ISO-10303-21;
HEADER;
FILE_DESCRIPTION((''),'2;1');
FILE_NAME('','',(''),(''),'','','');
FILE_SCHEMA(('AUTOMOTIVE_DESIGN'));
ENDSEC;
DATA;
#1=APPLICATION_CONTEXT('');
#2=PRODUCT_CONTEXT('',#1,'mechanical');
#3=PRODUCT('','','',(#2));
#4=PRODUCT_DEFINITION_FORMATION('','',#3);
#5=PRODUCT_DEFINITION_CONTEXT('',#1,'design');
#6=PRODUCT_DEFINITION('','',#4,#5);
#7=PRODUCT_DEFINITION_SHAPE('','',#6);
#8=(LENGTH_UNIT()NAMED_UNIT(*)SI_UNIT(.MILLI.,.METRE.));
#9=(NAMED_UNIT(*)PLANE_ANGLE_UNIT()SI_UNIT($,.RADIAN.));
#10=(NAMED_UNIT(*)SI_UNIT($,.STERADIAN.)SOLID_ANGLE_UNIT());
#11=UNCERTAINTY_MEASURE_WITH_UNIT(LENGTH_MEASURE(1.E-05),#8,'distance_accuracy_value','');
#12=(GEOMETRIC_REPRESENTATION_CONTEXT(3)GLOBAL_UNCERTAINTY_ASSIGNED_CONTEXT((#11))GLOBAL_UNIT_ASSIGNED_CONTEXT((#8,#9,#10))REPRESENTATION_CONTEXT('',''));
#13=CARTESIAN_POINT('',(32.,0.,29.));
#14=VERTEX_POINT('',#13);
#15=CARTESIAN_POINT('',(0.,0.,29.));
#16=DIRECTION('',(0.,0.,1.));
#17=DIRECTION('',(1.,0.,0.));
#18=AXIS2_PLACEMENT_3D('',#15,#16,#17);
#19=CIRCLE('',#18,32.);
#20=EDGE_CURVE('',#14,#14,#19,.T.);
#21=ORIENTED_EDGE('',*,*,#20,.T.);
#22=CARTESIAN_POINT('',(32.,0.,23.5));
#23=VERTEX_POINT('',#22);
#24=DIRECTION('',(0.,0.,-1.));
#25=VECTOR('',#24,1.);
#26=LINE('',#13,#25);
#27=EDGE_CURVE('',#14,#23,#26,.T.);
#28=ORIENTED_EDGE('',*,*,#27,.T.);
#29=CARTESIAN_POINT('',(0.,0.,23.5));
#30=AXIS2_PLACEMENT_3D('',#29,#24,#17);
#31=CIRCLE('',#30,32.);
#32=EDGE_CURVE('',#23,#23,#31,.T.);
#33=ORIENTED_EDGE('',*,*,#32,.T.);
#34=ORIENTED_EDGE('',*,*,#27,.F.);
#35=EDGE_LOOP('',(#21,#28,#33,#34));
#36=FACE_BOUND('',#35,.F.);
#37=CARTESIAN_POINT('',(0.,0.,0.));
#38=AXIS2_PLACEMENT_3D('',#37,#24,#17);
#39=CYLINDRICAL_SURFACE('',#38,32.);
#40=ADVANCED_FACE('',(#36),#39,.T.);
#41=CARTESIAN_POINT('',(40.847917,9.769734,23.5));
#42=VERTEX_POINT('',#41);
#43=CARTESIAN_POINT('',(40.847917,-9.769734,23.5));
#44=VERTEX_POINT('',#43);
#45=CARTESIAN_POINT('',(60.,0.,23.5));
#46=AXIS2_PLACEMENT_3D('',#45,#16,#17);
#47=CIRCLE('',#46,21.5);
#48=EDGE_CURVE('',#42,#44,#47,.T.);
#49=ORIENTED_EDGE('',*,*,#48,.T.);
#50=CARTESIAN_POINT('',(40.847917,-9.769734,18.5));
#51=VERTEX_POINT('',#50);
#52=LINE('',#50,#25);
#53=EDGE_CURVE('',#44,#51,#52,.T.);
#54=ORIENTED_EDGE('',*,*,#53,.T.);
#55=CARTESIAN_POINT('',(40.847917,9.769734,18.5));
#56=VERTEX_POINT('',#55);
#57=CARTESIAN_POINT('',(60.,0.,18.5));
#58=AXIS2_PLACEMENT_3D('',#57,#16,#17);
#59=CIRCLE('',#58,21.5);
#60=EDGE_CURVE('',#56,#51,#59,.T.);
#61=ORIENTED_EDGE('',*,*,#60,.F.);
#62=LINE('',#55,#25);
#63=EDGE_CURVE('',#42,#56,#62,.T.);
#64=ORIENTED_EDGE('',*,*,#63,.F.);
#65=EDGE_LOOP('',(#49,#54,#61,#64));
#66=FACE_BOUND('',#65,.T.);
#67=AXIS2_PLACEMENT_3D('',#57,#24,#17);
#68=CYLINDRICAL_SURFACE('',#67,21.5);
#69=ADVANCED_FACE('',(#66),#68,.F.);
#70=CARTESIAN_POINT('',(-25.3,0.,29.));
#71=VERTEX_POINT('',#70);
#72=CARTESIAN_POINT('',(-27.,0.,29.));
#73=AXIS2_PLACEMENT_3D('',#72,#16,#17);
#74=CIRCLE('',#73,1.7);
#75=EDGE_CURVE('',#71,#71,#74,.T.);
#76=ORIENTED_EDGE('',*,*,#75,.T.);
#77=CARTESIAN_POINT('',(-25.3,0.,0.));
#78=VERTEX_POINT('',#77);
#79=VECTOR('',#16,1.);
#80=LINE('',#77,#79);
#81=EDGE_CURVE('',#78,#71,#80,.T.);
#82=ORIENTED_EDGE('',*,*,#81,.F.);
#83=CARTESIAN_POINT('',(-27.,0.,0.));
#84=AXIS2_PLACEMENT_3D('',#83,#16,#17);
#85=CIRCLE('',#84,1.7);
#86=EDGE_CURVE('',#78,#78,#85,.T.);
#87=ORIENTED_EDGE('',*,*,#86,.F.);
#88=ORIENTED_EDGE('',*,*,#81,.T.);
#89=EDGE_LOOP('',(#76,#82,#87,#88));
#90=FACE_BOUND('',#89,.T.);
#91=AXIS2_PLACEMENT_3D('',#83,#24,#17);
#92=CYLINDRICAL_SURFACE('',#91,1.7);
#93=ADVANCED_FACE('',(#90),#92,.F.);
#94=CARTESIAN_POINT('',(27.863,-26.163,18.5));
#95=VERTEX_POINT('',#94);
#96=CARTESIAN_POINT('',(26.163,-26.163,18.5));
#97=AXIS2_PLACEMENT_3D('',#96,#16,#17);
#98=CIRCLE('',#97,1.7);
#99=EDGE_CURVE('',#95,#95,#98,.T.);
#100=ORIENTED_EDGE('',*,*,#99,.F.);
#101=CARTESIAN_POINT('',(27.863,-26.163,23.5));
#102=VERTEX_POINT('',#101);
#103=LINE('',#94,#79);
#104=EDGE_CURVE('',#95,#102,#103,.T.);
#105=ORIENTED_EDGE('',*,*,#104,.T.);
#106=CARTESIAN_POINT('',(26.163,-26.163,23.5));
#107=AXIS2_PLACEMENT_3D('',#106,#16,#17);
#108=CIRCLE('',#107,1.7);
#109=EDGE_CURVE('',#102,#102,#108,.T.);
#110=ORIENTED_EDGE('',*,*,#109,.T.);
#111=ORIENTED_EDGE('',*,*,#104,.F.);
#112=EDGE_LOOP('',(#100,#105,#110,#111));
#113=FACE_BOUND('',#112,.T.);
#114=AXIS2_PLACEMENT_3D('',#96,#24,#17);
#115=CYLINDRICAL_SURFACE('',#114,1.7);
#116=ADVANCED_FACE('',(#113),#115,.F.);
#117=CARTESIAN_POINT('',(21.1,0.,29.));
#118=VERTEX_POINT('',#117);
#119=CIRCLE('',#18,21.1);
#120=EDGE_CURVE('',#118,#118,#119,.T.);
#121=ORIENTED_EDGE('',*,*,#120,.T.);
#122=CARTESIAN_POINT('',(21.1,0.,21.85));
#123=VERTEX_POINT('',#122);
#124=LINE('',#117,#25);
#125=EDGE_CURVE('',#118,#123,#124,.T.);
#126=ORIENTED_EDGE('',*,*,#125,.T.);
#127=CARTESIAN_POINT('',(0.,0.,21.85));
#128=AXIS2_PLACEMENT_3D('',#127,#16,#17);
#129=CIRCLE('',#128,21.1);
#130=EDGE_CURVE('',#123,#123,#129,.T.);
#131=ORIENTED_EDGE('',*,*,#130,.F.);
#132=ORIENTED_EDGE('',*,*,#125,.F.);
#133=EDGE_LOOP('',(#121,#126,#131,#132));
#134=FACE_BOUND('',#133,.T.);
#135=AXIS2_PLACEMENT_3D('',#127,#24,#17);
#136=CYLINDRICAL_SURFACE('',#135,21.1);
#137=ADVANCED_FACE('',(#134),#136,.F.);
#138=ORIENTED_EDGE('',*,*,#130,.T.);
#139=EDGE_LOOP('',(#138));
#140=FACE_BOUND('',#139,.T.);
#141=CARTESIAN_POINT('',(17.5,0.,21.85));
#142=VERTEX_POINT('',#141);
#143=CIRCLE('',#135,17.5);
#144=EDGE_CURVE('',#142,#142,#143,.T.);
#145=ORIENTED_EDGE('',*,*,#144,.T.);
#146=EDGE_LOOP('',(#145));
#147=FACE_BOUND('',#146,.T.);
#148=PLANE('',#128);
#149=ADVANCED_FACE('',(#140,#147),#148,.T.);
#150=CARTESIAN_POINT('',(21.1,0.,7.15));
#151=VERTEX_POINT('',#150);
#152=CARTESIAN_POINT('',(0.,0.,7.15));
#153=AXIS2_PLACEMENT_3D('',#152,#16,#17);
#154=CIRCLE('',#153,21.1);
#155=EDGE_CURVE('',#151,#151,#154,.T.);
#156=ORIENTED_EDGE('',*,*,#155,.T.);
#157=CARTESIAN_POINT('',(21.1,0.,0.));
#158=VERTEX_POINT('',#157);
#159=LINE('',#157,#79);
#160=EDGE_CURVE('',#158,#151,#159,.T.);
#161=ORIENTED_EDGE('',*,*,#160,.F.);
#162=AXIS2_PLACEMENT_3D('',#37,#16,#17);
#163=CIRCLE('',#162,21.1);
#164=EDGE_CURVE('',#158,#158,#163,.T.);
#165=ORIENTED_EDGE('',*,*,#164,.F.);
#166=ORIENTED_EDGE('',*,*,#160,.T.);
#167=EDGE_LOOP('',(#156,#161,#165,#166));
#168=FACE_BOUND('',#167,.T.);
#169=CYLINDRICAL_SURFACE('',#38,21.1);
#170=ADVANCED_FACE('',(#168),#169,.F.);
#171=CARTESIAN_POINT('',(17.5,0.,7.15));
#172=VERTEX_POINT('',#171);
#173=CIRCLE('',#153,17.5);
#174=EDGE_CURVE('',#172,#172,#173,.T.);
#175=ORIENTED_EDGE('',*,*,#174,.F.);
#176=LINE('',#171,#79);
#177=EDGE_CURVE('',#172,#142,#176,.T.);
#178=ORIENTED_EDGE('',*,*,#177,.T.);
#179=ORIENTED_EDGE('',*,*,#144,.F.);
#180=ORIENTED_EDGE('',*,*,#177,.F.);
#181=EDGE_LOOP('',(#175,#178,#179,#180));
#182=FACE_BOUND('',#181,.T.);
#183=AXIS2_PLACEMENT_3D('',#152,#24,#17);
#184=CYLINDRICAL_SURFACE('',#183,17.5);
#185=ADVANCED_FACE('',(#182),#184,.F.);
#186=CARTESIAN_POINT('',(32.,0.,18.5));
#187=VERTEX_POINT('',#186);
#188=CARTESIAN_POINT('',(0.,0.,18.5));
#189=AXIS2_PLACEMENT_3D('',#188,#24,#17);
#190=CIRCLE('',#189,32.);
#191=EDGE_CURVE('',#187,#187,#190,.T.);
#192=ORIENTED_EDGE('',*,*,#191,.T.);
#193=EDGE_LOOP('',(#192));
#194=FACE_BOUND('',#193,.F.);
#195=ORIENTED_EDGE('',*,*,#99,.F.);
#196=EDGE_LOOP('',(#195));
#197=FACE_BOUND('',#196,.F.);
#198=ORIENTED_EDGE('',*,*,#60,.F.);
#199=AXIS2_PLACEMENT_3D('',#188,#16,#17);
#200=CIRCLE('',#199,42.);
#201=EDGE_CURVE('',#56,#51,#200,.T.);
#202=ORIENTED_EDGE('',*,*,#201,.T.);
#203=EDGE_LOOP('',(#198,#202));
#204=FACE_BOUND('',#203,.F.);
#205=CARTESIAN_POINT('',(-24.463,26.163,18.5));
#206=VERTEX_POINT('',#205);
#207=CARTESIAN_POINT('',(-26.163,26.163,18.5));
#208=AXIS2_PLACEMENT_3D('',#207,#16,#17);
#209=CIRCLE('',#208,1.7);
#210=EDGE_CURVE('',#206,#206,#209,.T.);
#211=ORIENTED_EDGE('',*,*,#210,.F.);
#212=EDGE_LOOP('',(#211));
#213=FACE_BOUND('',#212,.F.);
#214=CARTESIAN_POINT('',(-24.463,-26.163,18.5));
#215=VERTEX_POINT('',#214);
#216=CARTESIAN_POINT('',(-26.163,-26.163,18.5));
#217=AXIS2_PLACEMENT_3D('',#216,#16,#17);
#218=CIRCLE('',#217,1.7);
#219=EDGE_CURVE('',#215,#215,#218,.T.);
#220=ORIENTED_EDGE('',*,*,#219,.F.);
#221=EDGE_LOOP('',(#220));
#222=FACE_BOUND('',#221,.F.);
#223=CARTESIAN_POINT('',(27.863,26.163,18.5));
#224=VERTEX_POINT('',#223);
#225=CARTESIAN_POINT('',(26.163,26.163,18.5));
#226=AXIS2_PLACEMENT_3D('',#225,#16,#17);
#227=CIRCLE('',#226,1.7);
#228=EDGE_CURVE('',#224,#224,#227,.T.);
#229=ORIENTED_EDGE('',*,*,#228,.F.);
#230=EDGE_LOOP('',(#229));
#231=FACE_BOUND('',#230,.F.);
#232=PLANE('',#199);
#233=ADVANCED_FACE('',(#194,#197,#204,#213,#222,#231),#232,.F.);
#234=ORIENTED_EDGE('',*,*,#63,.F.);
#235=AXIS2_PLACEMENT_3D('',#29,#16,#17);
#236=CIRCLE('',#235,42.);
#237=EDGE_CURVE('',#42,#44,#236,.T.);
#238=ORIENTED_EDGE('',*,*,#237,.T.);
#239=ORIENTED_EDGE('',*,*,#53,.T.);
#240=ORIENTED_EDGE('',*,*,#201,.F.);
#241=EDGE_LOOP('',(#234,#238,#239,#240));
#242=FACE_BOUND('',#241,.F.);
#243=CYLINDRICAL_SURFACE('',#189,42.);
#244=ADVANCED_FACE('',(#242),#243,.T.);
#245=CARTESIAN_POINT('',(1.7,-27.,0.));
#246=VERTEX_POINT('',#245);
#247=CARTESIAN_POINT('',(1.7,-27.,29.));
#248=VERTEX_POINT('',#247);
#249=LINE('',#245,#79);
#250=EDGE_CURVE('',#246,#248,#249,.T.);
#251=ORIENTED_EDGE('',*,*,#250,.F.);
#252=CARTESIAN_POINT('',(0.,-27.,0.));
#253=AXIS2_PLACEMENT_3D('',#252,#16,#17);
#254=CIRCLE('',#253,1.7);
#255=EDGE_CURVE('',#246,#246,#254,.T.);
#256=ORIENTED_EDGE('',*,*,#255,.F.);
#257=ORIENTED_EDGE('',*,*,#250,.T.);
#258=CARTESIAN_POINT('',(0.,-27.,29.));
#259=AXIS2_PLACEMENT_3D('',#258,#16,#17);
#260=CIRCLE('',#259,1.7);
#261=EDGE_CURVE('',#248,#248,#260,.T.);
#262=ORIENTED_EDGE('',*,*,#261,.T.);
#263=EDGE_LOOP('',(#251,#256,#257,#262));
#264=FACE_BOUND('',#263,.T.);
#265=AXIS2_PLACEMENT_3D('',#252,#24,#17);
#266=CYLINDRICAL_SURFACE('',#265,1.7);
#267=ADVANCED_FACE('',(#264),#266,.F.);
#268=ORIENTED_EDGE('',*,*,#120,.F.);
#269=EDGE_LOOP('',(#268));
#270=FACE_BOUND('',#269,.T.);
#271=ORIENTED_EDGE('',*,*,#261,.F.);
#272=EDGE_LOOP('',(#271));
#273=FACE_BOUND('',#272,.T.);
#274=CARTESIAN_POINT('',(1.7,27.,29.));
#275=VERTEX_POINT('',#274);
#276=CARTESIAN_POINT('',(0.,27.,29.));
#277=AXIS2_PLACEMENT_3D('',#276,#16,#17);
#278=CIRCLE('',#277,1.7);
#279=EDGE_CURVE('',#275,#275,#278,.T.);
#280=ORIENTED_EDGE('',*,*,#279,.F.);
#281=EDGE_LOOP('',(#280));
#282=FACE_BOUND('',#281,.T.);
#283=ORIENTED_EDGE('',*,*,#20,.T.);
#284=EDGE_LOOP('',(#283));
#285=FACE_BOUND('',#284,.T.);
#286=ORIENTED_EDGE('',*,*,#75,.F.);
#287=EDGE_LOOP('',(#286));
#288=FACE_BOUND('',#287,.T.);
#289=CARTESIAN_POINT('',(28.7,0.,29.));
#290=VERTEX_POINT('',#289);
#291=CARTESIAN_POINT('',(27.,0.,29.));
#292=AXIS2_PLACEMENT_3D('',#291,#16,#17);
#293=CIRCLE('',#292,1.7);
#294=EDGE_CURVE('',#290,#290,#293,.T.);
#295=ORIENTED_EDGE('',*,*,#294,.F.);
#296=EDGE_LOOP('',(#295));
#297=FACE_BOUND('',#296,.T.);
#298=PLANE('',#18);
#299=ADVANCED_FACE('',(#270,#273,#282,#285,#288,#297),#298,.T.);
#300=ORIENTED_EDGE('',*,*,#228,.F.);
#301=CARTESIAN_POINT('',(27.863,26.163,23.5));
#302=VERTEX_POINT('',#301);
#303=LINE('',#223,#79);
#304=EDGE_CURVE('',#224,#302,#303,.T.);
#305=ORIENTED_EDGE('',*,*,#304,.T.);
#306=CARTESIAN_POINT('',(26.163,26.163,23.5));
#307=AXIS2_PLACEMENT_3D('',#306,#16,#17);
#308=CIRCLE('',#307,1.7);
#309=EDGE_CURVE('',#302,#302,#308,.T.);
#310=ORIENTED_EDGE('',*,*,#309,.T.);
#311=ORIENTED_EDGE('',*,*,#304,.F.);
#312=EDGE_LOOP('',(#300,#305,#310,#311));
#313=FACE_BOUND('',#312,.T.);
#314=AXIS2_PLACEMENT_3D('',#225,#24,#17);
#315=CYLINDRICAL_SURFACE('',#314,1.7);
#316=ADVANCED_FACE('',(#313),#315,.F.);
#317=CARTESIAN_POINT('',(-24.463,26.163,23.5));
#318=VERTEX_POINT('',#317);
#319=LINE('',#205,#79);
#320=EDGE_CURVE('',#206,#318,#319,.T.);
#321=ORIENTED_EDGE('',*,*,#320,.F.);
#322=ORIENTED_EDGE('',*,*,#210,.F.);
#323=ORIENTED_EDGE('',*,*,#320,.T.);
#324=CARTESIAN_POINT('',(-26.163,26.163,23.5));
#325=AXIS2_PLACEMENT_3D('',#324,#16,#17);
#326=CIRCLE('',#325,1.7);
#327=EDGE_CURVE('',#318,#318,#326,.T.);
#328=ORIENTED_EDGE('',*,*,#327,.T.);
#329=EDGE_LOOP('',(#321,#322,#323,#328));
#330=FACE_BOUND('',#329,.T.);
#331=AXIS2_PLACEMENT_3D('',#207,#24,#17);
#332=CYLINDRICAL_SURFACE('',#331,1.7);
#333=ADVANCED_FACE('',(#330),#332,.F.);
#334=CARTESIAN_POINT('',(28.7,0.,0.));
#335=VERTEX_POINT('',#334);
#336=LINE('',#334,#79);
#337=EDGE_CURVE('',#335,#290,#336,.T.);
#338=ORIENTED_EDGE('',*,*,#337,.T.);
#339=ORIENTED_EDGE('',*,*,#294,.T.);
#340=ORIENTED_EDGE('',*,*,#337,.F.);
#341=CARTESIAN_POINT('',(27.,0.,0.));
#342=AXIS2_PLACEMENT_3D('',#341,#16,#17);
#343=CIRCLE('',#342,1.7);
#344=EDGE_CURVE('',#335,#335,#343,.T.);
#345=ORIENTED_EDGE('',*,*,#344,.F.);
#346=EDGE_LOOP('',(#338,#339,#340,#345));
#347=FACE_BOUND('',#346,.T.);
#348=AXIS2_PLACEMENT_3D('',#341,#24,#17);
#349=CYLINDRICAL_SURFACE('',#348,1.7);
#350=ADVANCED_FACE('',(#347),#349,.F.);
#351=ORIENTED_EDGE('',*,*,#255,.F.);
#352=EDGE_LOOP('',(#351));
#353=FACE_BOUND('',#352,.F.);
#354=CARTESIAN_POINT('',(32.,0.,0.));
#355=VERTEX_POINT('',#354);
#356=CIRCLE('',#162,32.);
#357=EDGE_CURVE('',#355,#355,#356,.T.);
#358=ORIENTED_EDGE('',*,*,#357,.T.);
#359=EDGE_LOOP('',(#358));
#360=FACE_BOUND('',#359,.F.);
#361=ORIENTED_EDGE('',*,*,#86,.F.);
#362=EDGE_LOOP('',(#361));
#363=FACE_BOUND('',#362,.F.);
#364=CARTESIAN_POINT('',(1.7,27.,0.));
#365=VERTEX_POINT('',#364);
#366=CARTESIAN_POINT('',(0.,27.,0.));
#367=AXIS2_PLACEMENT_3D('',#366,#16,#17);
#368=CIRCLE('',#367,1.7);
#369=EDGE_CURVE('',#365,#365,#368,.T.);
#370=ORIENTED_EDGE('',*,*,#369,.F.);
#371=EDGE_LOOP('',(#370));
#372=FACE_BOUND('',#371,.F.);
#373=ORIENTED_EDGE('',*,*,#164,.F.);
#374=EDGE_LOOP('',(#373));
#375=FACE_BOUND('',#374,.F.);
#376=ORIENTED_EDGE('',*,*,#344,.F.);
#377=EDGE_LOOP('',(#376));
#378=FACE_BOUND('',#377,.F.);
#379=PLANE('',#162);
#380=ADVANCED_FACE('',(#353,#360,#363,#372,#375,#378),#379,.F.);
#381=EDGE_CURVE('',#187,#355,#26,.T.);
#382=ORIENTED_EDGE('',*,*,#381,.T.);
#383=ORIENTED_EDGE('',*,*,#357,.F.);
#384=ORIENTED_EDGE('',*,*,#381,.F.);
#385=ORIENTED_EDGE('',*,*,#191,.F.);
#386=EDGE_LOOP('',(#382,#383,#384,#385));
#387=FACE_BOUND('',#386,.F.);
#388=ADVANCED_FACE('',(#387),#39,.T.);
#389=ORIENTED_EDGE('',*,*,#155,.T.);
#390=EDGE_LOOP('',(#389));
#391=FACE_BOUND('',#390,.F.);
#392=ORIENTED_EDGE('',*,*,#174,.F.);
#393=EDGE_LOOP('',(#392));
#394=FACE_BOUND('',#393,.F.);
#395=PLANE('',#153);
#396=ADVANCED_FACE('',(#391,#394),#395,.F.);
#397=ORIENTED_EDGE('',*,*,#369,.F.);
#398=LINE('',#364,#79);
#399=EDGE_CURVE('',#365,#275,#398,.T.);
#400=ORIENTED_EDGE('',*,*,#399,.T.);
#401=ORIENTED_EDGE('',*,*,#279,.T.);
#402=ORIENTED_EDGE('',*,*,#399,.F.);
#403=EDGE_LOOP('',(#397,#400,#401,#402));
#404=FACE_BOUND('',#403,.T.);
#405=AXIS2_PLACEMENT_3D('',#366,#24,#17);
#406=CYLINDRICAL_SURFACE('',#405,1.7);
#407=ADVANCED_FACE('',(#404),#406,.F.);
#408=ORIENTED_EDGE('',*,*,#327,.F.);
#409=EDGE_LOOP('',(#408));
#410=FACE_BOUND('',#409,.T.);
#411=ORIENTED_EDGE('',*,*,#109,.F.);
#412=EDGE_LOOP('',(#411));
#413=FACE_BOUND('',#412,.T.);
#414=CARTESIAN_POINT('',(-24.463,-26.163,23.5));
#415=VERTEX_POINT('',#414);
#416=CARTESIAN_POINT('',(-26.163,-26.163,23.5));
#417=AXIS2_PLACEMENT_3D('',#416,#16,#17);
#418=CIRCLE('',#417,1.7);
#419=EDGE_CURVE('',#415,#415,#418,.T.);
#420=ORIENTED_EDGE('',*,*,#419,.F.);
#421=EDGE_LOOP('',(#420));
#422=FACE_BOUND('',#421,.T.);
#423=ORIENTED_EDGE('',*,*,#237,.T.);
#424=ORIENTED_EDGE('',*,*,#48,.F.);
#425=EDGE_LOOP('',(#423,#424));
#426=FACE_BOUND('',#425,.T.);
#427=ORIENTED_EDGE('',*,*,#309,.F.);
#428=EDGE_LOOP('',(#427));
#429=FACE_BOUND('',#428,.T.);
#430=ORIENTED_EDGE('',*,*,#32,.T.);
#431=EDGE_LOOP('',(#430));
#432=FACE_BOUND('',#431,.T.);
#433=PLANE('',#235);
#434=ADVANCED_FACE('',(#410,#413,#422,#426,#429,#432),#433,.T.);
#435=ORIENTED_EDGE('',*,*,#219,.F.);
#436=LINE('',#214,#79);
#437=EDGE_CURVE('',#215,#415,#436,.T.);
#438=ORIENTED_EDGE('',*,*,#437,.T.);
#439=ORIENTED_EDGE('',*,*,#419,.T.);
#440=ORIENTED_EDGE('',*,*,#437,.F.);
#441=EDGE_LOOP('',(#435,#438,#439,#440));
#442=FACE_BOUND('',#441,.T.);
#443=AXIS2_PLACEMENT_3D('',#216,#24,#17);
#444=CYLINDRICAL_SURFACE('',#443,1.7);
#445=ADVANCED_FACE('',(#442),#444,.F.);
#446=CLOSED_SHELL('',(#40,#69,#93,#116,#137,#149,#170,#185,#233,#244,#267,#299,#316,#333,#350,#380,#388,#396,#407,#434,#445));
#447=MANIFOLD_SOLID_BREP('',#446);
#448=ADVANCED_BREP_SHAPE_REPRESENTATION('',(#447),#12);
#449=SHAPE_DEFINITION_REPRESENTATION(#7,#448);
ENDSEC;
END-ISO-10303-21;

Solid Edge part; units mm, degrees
sketch "Sketch1" plane through (0, 0, 0) normal (0, 0, 1) x (1, 0, 0)
  circle A0 centre (0, 0) radius 32
  circle A1 centre (0, 0) radius 21.1
  circle A2 centre (27, 0) radius 1.7
  circle A3 centre (0, 27) radius 1.7
  circle A4 centre (-27, 0) radius 1.7
  circle A5 centre (0, -27) radius 1.7
extrude "Protrusion1" add sketch "Sketch1" along normal blind 7.15
sketch "Sketch2" plane through (0, 0, 7.15) normal (0, 0, 1) x (1, 0, 0)
  circle A0 centre (0, 0) radius 32
  circle A1 centre (0, 0) radius 17.5
  circle A2 centre (27, 0) radius 1.7
  circle A3 centre (0, 27) radius 1.7
  circle A4 centre (-27, 0) radius 1.7
  circle A5 centre (0, -27) radius 1.7
extrude "ExtrudedProtrusion_2" add sketch "Sketch2" along normal blind 14.7
sketch "Sketch3" plane through (0, 0, 21.85) normal (0, 0, 1) x (1, 0, 0)
  circle A0 centre (0, 0) radius 32
  circle A1 centre (0, 0) radius 21.1
  circle A2 centre (27, 0) radius 1.7
  circle A3 centre (0, 27) radius 1.7
  circle A4 centre (-27, 0) radius 1.7
  circle A5 centre (0, -27) radius 1.7
extrude "ExtrudedProtrusion_3" add sketch "Sketch3" along normal blind 7.15
sketch "Sketch4" plane through (0, 0, 18.5) normal (0, 0, 1) x (1, 0, 0)
  circle A0 centre (0, 0) radius 42
  circle A1 centre (0, 0) radius 17.5
  circle A2 centre (27, 0) radius 1.7
  circle A3 centre (0, 27) radius 1.7
  circle A4 centre (-27, 0) radius 1.7
  circle A5 centre (0, -27) radius 1.7
  circle A6 centre (26.163, 26.163) radius 1.7
  circle A7 centre (-26.163, 26.163) radius 1.7
  circle A8 centre (-26.163, -26.163) radius 1.7
  circle A9 centre (26.163, -26.163) radius 1.7
extrude "ExtrudedProtrusion_4" add sketch "Sketch4" along normal blind 5
sketch "Sketch5" plane through (0, 0, 21.85) normal (0, 0, 1) x (1, 0, 0)
  circle A0 centre (0, 0) radius 21.1
extrude "ExtrudedCutout_1" cut sketch "Sketch5" along normal blind 7.15
sketch "Sketch6" plane through (0, 0, 18.5) normal (0, 0, 1) x (1, 0, 0)
  circle A0 centre (60, 0) radius 21.5
extrude "ExtrudedCutout_2" cut sketch "Sketch6" along normal blind 5
